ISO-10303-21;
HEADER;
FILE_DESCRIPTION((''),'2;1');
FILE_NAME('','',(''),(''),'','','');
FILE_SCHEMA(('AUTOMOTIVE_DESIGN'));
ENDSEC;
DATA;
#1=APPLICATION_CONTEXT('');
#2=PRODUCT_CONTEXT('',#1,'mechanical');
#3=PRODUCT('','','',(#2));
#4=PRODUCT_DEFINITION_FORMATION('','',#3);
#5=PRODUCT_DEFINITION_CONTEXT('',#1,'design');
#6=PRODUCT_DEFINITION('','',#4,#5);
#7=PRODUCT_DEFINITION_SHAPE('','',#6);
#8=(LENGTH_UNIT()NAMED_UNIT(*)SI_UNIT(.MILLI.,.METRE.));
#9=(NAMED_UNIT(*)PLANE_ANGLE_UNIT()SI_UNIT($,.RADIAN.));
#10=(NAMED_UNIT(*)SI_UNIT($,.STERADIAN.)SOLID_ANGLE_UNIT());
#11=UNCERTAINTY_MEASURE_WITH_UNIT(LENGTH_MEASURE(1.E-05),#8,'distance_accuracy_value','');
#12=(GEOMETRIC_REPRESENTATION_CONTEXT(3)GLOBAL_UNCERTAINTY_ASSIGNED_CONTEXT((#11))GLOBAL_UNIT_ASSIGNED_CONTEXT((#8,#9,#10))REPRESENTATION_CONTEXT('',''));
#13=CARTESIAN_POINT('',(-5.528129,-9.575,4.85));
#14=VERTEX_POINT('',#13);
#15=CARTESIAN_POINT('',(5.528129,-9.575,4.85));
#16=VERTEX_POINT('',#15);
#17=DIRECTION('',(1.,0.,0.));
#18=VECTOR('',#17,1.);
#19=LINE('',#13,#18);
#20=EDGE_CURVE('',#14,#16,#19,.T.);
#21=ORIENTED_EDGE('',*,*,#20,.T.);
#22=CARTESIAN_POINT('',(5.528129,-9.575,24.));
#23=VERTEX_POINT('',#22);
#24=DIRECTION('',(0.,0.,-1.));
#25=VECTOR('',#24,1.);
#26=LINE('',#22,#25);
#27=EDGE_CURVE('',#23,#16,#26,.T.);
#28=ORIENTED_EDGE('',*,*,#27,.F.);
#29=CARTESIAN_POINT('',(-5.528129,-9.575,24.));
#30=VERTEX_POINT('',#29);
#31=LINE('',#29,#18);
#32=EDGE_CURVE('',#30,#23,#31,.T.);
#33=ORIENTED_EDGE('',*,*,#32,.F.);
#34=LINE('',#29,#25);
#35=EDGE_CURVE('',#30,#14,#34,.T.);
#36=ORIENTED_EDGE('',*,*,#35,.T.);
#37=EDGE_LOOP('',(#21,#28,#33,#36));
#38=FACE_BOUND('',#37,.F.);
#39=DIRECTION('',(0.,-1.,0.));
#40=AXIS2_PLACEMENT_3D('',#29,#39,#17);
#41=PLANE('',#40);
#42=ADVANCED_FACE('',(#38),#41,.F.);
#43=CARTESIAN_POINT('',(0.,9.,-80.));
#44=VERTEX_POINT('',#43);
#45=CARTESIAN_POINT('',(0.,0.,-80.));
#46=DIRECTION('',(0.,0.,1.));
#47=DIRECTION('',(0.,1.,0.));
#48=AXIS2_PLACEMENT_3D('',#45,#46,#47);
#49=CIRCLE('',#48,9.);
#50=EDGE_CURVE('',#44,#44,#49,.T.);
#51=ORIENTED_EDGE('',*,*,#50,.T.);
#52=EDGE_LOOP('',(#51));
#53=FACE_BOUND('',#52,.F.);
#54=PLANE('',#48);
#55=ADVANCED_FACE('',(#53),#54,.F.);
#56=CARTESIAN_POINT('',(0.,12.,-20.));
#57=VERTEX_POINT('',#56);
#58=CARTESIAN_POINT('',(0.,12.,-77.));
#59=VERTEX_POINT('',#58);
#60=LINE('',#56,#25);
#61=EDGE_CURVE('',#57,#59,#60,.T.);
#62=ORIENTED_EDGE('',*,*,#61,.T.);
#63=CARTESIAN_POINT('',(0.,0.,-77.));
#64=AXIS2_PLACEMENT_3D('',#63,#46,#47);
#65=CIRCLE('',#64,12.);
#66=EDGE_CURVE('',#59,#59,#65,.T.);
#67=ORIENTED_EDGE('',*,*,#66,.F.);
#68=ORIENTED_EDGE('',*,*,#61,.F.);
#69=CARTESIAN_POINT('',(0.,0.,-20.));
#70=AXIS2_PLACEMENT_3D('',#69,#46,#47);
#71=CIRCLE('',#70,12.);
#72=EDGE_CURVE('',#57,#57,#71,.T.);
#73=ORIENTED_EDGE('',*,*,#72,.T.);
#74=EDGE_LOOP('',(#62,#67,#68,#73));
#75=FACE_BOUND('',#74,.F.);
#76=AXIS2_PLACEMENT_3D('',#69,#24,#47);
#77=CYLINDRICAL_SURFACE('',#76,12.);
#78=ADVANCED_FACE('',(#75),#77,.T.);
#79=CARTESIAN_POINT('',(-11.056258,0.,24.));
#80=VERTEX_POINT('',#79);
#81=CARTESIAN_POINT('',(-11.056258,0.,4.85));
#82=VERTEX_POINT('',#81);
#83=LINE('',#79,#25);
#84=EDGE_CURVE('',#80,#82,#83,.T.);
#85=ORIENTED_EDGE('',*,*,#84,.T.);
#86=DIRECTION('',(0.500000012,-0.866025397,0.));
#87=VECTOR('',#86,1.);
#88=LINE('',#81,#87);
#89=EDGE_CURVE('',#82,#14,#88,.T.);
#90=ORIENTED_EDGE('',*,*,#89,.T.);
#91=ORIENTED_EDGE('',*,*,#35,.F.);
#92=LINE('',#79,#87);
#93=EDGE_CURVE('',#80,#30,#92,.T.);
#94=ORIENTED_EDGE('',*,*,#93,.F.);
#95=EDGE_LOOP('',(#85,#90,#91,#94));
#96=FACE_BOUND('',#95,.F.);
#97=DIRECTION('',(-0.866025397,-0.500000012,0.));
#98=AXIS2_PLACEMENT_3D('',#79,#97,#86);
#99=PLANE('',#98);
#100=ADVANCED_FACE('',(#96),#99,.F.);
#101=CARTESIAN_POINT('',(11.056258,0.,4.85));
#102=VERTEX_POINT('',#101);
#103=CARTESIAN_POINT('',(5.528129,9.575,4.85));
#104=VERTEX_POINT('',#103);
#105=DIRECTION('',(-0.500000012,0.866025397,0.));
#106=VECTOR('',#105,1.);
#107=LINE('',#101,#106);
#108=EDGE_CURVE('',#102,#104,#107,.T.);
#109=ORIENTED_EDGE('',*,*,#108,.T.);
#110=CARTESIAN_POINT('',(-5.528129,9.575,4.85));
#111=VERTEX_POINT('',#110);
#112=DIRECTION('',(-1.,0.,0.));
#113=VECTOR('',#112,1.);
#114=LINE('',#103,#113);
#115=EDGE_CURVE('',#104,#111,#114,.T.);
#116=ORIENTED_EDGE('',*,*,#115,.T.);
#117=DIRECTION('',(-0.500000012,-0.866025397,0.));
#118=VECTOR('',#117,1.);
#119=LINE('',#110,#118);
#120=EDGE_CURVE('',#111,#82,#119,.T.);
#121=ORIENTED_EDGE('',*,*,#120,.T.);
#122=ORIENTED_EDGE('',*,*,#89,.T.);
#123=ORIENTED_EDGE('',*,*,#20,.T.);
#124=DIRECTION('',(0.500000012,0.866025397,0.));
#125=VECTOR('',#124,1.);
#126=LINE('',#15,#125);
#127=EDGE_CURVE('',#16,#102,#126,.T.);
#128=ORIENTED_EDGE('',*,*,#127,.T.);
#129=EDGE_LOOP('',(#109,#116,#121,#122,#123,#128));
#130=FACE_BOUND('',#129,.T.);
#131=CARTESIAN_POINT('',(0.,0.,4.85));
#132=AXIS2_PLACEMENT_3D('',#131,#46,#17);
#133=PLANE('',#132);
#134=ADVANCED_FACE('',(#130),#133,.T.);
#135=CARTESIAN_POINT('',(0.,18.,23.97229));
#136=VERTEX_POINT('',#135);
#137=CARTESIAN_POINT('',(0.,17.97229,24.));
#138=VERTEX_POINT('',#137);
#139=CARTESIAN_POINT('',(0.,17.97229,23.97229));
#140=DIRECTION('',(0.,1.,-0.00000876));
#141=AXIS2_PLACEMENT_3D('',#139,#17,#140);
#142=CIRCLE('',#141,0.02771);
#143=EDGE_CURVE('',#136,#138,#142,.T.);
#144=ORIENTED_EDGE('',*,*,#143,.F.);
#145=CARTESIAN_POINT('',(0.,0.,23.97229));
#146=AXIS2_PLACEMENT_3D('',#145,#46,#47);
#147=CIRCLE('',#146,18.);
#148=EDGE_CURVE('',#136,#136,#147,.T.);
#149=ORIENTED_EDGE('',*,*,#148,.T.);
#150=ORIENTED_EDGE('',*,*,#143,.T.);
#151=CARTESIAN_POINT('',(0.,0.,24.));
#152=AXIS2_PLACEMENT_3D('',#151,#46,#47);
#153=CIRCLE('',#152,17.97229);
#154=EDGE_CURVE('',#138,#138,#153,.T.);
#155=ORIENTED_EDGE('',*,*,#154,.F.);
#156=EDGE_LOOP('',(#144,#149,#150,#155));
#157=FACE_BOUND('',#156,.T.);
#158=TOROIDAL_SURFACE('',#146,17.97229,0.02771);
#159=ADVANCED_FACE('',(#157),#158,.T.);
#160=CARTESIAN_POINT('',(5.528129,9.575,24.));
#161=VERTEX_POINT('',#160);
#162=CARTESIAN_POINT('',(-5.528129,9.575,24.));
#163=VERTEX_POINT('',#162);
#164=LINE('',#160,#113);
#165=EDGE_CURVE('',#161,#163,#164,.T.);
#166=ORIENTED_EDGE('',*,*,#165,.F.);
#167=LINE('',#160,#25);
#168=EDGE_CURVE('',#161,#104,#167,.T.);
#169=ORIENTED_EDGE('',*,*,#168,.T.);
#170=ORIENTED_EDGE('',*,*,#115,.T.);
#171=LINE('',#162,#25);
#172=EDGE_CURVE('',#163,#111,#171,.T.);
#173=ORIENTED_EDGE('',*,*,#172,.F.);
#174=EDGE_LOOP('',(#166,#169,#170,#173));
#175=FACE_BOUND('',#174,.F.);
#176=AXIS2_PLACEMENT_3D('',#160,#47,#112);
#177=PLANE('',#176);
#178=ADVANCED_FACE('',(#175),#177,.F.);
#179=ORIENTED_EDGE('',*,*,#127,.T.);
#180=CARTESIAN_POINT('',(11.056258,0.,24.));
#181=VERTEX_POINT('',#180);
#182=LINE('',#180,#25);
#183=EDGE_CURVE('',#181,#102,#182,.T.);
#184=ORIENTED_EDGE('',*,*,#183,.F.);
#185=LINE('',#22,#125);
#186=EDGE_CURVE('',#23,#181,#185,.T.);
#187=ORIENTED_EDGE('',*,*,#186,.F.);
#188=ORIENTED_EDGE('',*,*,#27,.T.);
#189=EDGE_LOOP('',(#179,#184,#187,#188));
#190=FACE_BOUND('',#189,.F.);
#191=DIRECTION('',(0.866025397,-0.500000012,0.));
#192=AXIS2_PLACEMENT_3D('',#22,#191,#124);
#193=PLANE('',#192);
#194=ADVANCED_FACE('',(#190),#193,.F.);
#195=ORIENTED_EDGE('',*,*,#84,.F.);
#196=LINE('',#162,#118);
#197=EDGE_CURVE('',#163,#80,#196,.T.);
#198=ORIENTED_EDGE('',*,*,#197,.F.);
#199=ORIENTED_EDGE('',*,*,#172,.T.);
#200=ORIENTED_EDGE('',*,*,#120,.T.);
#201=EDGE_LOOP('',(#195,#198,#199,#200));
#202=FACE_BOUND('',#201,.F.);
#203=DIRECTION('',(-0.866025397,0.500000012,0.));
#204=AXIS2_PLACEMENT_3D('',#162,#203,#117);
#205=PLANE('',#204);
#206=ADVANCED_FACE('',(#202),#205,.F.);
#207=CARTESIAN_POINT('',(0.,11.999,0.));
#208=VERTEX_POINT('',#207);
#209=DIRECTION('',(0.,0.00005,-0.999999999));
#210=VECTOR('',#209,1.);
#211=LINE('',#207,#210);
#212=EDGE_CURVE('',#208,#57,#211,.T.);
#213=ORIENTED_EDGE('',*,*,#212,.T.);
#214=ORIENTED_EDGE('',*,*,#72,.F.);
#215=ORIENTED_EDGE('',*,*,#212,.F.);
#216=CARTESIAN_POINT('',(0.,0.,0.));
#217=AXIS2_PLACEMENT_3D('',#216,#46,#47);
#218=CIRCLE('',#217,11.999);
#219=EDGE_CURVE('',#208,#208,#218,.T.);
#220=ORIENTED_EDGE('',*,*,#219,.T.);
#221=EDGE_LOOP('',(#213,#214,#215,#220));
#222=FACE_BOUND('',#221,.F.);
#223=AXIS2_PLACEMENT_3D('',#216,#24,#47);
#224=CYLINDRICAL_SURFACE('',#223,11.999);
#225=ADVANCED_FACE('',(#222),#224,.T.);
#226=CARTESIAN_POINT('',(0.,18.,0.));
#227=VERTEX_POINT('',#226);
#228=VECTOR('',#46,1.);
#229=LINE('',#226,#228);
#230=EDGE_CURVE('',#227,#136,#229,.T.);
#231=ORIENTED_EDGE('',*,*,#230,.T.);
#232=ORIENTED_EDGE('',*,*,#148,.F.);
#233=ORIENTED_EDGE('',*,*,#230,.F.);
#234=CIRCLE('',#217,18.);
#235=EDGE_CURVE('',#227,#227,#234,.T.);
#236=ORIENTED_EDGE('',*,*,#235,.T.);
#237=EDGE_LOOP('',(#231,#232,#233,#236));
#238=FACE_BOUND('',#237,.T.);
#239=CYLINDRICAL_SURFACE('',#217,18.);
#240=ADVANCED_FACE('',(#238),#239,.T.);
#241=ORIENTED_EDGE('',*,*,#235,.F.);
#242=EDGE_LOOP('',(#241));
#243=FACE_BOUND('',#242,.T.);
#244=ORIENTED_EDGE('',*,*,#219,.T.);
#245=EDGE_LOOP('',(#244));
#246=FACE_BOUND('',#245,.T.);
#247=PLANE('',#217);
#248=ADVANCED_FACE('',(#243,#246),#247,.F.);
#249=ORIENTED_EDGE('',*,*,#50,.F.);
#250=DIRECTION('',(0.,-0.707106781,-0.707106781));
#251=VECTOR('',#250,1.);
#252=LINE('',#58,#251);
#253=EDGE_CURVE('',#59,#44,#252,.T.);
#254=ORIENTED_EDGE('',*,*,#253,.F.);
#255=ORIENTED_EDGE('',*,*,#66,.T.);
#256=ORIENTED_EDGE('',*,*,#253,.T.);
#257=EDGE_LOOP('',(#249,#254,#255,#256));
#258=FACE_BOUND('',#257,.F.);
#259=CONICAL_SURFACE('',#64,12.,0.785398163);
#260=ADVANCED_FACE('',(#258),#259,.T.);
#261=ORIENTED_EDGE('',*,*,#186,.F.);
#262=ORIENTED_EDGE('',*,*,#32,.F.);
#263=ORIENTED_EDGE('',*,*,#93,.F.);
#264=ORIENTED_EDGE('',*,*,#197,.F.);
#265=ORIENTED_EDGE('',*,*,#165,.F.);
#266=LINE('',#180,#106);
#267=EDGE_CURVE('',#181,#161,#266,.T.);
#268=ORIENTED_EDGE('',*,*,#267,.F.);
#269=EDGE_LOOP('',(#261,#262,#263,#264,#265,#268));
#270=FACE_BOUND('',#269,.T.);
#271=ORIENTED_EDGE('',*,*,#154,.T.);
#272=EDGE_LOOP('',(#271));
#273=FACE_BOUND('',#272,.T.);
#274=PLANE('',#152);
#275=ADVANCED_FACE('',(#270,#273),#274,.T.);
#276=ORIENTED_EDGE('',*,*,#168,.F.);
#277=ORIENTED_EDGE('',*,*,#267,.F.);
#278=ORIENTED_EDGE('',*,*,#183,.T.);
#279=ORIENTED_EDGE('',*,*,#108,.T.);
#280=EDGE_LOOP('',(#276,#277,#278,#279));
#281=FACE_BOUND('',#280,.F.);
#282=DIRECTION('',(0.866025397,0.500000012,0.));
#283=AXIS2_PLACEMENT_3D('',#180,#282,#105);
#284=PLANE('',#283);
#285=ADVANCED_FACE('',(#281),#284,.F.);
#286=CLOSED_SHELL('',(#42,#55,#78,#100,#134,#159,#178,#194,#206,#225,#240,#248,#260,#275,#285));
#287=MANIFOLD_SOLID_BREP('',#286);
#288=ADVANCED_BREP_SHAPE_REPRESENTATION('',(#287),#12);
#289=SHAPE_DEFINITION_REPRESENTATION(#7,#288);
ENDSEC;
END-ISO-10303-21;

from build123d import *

# Parameters (mm, degrees)
POCKET_DEPTH = 19.15


with BuildPart() as part:
    # Sketch → Revolve (revolve)
    with BuildSketch(Plane.YZ):
        with BuildLine():
            Line((11.999, 0), (18, 0))
            Line((18, 0), (18, 23.97229))
            ThreePointArc((18, 23.97229), (17.991884, 23.991884), (17.97229, 24))
            Line((17.97229, 24), (0, 24))
            Line((0, -80), (0, 24))
            Line((9, -80), (0, -80))
            Line((12, -77), (9, -80))
            Line((12, -20), (12, -77))
            Line((11.999, 0), (12, -20))
        make_face()
    revolve(axis=Axis((0, 0, 0), (0, 0, 1)))

    # Sketch001 → Pocket (cut)
    with BuildSketch(Plane.XY.offset(24)):
        Polygon((11.056258, 0), (5.528129, 9.575), (-5.528129, 9.575), (-11.056258, 0), (-5.528129, -9.575), (5.528129, -9.575), align=None)
    extrude(amount=-POCKET_DEPTH, mode=Mode.SUBTRACT)


solid = part.part
